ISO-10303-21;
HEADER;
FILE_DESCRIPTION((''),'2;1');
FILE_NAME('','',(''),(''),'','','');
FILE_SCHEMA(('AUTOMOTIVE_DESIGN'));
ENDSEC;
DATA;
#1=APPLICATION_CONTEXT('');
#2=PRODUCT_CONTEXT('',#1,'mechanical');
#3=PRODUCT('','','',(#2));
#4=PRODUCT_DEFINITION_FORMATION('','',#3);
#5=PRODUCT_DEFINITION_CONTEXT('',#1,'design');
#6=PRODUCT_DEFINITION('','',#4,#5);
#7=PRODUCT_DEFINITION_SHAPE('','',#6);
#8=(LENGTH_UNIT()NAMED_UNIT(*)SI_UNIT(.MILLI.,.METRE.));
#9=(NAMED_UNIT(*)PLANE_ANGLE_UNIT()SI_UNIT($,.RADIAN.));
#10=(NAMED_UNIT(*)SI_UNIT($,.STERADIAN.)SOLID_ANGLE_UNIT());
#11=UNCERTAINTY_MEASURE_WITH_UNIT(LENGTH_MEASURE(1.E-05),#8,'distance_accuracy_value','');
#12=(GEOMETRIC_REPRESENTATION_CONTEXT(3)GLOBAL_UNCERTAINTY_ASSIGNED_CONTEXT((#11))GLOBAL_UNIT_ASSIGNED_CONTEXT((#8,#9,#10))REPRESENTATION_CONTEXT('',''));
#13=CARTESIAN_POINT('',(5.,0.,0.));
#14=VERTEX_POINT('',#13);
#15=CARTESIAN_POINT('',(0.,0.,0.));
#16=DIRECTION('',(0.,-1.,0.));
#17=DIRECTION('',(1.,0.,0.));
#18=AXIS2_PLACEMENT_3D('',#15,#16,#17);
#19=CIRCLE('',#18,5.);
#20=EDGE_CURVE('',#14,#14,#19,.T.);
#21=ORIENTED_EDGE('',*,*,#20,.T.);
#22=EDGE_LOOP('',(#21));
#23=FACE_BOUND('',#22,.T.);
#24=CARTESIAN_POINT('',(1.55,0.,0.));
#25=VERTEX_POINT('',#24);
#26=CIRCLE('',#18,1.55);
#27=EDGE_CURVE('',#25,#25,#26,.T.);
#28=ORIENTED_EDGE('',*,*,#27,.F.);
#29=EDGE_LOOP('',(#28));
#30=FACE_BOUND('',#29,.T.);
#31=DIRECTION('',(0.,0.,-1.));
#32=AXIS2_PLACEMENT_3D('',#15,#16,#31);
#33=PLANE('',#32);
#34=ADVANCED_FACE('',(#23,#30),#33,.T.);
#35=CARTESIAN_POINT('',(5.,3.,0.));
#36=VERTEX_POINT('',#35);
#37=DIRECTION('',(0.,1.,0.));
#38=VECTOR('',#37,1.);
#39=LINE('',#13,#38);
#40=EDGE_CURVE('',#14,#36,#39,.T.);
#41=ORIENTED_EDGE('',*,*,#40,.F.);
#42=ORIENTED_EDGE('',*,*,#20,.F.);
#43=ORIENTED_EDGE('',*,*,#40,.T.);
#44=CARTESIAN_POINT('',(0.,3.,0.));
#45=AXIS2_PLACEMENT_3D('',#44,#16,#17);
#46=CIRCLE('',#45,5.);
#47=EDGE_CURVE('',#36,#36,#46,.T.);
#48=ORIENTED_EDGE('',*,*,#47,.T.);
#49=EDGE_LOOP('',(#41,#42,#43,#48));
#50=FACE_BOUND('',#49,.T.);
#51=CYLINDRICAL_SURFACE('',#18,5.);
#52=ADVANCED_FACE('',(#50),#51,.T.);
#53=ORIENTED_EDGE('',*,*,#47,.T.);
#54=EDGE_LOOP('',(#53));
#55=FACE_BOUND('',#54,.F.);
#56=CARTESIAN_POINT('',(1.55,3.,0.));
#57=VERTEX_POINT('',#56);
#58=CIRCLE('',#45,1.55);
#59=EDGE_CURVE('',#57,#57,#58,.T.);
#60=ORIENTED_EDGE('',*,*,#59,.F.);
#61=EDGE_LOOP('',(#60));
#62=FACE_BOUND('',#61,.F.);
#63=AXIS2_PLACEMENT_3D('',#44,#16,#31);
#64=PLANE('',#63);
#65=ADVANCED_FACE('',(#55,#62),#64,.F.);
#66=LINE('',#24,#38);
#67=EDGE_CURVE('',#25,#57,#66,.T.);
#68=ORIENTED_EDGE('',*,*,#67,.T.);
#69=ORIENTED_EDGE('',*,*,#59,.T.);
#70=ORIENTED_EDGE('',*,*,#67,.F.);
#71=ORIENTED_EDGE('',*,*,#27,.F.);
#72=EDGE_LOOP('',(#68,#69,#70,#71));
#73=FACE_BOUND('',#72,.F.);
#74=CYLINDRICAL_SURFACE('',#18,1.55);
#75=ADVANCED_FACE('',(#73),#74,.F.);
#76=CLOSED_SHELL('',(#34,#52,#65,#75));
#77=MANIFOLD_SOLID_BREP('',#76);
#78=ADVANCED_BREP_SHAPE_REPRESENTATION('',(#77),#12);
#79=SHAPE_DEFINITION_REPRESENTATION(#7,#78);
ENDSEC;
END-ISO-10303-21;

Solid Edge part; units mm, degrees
sketch "Sketch1" plane through (0, 0, 0) normal (0, -1, 0) x (1, 0, 0)
  circle A0 centre (0, 0) radius 1.55
  circle A1 centre (0, 0) radius 5
  dimension "D1" = 3.1
  dimension "D2" = 10
extrude "Ajout_matière_2" add sketch "Sketch1" against normal blind 3
properties part number "11" material "MDF 3mm"
